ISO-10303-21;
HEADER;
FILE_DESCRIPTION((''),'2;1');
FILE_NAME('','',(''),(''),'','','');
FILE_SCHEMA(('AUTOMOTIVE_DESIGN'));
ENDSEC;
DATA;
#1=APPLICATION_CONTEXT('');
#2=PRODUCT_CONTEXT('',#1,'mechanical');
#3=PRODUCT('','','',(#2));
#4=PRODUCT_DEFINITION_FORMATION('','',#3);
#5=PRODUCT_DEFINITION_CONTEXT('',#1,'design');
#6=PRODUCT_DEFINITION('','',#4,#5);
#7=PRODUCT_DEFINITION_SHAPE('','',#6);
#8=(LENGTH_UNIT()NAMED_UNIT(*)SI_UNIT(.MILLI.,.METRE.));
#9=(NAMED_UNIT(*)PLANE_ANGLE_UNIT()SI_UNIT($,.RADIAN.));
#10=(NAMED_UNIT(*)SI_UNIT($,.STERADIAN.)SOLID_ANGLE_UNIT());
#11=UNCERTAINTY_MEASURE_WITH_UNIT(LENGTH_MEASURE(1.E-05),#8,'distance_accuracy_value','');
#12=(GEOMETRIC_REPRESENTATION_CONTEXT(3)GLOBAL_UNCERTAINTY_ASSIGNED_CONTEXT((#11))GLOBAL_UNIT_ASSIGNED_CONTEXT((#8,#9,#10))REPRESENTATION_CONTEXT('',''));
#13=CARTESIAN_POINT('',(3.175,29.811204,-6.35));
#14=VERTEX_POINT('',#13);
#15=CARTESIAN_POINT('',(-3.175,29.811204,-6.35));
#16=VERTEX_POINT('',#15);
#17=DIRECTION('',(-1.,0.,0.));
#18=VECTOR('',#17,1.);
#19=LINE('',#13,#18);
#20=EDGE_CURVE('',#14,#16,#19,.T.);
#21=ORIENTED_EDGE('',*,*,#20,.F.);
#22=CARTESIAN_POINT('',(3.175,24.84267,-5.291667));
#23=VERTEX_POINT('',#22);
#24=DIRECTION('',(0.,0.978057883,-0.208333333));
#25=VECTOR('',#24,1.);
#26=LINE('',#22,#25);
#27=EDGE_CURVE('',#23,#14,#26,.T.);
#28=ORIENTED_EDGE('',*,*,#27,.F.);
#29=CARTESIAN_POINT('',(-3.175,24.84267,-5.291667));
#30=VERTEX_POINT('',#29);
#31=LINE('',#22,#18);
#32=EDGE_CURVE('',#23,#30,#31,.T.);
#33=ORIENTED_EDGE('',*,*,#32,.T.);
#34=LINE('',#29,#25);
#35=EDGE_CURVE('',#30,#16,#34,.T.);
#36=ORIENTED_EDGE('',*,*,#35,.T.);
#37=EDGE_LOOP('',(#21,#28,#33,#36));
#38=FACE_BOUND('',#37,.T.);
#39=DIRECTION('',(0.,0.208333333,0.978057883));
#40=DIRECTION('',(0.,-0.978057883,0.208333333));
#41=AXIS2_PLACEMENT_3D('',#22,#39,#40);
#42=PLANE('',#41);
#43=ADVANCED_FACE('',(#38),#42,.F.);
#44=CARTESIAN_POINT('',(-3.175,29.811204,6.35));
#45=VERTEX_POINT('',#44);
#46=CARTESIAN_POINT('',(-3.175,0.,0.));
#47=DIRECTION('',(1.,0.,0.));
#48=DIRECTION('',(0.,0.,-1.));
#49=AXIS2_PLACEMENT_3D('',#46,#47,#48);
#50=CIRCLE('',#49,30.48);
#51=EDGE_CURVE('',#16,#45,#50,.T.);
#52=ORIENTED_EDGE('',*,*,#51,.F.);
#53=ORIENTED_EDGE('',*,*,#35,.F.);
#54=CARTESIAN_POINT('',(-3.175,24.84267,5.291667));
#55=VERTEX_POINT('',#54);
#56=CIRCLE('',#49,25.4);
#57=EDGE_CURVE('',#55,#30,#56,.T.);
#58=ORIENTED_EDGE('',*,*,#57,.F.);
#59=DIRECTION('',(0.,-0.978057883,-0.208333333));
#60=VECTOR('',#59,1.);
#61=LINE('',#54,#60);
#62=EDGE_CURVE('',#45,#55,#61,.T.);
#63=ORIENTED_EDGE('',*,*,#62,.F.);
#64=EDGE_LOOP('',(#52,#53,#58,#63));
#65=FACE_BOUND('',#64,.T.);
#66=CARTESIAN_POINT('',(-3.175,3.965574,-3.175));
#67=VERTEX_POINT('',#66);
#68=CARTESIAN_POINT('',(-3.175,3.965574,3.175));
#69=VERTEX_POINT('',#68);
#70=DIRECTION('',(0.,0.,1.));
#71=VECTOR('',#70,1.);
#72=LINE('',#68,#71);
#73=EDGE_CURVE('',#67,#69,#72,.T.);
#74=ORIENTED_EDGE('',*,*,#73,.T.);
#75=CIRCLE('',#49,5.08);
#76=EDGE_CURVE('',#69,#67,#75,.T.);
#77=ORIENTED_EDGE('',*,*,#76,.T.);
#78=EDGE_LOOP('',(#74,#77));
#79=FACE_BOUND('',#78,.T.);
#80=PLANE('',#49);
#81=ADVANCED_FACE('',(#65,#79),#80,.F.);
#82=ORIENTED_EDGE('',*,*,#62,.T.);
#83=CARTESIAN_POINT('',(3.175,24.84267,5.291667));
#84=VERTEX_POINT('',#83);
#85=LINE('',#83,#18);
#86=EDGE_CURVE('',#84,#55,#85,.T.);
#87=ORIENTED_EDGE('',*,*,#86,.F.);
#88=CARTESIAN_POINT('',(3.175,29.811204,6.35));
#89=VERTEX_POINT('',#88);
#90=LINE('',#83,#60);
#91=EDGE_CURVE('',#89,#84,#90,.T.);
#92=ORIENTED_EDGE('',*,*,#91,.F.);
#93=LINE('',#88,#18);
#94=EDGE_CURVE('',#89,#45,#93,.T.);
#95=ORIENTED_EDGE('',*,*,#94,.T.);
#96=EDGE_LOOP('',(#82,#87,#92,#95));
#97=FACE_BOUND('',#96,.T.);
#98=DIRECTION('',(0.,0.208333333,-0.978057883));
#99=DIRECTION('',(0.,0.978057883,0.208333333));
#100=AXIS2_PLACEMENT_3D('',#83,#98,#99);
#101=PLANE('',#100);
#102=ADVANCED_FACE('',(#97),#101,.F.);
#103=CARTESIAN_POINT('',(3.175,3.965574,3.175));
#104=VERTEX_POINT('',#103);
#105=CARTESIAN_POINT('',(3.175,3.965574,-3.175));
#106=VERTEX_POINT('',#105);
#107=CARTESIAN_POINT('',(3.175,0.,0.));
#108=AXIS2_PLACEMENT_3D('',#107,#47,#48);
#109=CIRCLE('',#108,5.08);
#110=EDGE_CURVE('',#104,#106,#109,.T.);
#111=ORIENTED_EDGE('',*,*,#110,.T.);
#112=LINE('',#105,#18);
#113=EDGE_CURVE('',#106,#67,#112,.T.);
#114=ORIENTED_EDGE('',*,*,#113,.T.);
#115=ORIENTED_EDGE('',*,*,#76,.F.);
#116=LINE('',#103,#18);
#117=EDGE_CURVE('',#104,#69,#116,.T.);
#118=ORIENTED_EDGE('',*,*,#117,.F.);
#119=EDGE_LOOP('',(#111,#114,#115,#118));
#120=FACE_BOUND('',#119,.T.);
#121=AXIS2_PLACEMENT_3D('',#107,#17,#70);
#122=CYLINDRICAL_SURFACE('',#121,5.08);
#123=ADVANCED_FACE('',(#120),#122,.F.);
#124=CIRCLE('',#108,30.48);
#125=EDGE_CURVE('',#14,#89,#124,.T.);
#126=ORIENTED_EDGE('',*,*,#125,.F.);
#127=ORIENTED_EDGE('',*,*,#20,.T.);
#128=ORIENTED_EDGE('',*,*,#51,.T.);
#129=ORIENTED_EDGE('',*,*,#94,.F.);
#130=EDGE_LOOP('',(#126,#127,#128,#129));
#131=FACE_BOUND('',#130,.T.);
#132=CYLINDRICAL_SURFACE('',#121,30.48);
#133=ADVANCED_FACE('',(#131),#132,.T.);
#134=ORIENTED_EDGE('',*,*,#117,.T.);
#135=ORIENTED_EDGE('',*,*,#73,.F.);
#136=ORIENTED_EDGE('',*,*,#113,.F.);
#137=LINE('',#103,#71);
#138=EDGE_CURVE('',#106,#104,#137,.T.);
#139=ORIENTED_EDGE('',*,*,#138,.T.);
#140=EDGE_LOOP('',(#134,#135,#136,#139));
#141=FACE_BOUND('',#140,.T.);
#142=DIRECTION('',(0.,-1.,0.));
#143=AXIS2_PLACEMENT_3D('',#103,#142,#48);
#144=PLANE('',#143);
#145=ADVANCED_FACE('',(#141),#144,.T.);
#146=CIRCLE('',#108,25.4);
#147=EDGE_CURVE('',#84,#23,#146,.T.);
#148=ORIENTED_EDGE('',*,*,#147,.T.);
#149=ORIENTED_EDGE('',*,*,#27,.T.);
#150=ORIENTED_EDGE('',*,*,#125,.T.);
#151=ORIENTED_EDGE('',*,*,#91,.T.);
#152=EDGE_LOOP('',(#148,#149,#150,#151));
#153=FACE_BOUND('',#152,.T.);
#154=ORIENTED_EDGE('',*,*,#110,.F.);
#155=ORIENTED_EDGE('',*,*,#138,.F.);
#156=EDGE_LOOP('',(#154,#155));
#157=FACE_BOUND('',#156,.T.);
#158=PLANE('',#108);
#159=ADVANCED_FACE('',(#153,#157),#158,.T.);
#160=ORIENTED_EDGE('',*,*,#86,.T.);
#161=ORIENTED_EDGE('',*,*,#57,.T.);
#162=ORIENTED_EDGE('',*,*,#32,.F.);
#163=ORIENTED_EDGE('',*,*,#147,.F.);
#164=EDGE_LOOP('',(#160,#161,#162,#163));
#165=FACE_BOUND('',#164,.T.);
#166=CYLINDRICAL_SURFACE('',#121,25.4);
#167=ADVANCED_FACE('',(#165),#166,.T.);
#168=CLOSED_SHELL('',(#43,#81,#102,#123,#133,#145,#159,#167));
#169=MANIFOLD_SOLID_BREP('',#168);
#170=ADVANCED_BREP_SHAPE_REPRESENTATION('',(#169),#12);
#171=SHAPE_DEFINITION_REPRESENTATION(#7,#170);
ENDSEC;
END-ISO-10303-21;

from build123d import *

# Parameters (mm, degrees)
SKETCH1_R           = 25.4
BOSS_EXTRUDE1_DEPTH = 3.175
BOSS_EXTRUDE2_DEPTH = 3.175


with BuildPart() as part:
    # Sketch1 → Boss-Extrude1 (new, symmetric)
    with BuildSketch(Plane(origin=(0, 0, 0), x_dir=(0, 0, -1), z_dir=(1, 0, 0))):
        Circle(SKETCH1_R)
        with BuildLine():
            Line((-3.175, 3.965573729), (3.175, 3.965573729))
            ThreePointArc((3.175, 3.965573729), (0, -5.08), (-3.175, 3.965573729))
        make_face(mode=Mode.SUBTRACT)
    extrude(amount=BOSS_EXTRUDE1_DEPTH, both=True)

    # Sketch2 → Boss-Extrude2 (add, symmetric)
    with BuildSketch(Plane(origin=(0, 0, 0), x_dir=(0, 0, -1), z_dir=(1, 0, 0))):
        with BuildLine():
            Line((-5.291666667, 24.842670225), (-6.35, 29.81120427))
            ThreePointArc((-6.35, 29.81120427), (0, 30.48), (6.35, 29.81120427))
            Line((6.35, 29.81120427), (5.291666667, 24.842670225))
            ThreePointArc((5.291666667, 24.842670225), (0, 25.4), (-5.291666667, 24.842670225))
        make_face()
    extrude(amount=BOSS_EXTRUDE2_DEPTH, both=True)


solid = part.part
